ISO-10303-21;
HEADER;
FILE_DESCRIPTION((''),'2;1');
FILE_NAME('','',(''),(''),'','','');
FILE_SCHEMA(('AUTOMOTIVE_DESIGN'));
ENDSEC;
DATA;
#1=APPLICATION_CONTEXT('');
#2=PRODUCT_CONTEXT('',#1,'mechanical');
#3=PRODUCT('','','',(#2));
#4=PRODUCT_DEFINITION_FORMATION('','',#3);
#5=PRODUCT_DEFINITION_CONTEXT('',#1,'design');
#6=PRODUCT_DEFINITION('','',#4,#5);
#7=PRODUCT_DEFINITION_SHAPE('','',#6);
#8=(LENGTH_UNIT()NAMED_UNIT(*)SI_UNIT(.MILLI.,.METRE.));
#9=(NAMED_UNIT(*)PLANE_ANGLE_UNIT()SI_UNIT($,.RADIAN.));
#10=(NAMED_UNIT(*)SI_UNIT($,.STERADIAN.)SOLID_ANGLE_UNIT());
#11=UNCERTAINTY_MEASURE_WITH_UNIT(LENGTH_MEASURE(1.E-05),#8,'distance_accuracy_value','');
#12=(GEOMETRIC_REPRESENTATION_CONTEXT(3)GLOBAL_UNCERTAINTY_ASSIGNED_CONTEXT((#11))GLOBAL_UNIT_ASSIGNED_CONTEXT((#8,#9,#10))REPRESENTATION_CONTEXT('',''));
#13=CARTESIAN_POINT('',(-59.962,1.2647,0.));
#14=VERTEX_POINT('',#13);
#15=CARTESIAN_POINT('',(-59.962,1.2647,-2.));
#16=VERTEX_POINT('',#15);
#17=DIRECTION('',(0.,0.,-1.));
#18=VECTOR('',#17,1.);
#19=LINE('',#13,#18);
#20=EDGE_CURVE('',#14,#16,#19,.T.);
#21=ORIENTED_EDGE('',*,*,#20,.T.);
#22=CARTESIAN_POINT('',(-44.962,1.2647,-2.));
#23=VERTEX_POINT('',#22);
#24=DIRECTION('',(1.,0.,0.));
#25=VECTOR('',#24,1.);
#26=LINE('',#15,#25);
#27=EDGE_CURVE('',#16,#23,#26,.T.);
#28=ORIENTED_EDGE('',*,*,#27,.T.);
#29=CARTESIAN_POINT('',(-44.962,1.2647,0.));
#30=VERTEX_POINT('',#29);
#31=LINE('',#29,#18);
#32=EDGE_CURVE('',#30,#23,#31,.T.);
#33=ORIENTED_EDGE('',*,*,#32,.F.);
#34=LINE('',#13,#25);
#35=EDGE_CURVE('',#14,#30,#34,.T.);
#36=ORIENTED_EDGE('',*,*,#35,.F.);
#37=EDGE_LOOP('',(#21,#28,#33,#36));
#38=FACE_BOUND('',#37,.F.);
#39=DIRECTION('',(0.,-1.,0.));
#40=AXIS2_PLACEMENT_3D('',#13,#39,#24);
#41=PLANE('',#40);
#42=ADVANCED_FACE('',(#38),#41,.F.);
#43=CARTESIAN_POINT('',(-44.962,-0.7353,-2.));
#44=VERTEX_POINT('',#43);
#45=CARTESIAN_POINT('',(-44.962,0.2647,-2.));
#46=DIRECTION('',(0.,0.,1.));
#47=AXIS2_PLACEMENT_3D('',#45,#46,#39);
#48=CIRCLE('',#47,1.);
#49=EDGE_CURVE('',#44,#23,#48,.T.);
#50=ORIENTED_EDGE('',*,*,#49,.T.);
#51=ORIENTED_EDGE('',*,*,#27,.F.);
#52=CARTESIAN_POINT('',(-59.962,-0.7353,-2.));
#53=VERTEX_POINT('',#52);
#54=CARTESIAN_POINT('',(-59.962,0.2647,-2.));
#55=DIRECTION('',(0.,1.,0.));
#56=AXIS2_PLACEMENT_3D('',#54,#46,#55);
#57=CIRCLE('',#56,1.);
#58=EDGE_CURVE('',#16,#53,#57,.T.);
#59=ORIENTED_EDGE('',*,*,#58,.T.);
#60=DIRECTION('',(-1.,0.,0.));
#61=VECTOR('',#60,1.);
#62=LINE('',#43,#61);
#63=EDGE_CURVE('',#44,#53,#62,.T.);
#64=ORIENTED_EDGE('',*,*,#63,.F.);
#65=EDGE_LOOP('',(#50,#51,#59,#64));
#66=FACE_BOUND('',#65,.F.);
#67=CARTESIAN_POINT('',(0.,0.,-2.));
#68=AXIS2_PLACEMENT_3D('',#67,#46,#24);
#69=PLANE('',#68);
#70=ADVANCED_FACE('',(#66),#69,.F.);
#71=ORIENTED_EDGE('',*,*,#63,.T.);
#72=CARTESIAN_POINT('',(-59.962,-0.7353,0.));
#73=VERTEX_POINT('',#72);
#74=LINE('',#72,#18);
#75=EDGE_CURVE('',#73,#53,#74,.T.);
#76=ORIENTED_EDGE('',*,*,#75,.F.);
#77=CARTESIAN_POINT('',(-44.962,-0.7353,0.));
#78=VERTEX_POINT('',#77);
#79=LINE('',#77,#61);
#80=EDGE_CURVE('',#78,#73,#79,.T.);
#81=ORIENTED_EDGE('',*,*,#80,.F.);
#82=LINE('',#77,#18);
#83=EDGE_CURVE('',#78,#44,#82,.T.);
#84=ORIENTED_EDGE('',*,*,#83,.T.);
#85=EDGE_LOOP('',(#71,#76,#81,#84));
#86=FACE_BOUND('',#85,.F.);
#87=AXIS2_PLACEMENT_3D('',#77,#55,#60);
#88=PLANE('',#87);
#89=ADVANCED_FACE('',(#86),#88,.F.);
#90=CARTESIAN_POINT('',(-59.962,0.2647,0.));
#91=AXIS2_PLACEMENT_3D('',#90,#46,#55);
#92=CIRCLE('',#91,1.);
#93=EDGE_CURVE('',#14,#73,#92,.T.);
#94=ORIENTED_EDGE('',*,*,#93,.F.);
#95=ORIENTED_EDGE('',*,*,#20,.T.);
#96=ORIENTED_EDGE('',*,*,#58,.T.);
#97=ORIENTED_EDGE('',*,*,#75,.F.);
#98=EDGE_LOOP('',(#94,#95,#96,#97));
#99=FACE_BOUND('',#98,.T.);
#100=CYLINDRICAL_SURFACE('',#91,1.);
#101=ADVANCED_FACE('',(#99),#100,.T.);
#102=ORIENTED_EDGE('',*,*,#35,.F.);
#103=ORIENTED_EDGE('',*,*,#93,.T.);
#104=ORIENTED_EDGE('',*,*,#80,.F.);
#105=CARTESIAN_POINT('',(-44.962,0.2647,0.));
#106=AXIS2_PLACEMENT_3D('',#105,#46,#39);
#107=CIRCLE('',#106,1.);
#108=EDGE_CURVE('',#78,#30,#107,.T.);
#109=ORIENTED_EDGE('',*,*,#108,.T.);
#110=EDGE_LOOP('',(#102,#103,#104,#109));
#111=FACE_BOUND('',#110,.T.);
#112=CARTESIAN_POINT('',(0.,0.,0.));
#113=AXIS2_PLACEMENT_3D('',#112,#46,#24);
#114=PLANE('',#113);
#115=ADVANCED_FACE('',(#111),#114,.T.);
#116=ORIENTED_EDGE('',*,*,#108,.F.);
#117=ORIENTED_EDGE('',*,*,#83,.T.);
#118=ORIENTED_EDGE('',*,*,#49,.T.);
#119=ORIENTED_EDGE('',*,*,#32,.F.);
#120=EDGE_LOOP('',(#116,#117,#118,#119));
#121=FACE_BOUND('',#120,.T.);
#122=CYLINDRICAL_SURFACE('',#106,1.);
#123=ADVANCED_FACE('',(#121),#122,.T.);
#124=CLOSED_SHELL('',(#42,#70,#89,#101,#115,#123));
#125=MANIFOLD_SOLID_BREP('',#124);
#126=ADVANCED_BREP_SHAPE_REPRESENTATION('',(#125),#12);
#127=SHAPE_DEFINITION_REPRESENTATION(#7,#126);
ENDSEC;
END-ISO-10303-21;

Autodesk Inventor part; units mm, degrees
ref_plane "YZ Plane" through (0, 0, 0) normal (1, 0, 0) x (0, 1, 0)
ref_plane "XZ Plane" through (0, 0, 0) normal (0, 1, 0) x (-1, 0, 0)
ref_plane "XY Plane" through (0, 0, 0) normal (0, 0, 1) x (1, 0, 0)
sketch "Náčrt4" plane through (0, 0, 0) normal (0, 0, 1) x (1, 0, 0)
  line L0 (-23.962, 1.2647) -> (-8.962, 1.2647) construction
  line L1 (-8.962, -0.7353) -> (-23.962, -0.7353) construction
  line L2 (-41.962, 1.2647) -> (-26.962, 1.2647) construction
  line L3 (-26.962, -0.7353) -> (-41.962, -0.7353) construction
  line L4 (-59.962, 1.2647) -> (-44.962, 1.2647) construction
  line L5 (-44.962, -0.7353) -> (-59.962, -0.7353) construction
  line L6 (-59.962, 14.7647) -> (-0.822, 14.7647) construction
  arc A0 (-59.962, 14.7647) -> (-69.262, 5.4647) centre (-59.962, 5.4647) ccw construction
  line L7 (-69.262, -84.5353) -> (-69.262, 5.4647) construction
  arc A1 (-69.262, -84.5353) -> (-59.962, -93.8353) centre (-59.962, -84.5353) ccw construction
  line L8 (2.038, -93.8353) -> (-59.962, -93.8353) construction
  line L9 (2.038, -93.8353) -> (2.038, 0.4647) construction
  line L10 (2.038, 0.4647) -> (-0.822, 14.7647) construction
  line L11 (-60.962, -18.7353) -> (-60.962, -4.7353) construction
  line L12 (-59.462, -3.2353) -> (-45.462, -3.2353) construction
  line L13 (-43.962, -4.7353) -> (-43.962, -18.7353) construction
  line L14 (-45.462, -20.2353) -> (-59.462, -20.2353) construction
  circle A2 centre (-34.452, 10.9647) radius 0.3 construction
  circle A3 centre (-30.952, 7.4647) radius 0.3 construction
  circle A4 centre (-34.452, 3.9647) radius 0.3 construction
  circle A5 centre (-37.952, 7.4647) radius 0.3 construction
  circle A6 centre (-34.452, 7.4647) radius 0.3 construction
  circle A7 centre (-36.9269, 9.9395) radius 0.3 construction
  circle A8 centre (-36.9269, 4.9898) radius 0.3 construction
  circle A9 centre (-31.9771, 4.9898) radius 0.3 construction
  circle A10 centre (-31.9771, 9.9395) radius 0.3 construction
  line L15 (-59.962, 1.2647) -> (-44.962, 1.2647)
  line L16 (-44.962, -0.7353) -> (-59.962, -0.7353)
  line L17 (-29.7605, -84.0301) -> (-30.334, -84.8493) projected
  arc A11 (-30.334, -84.8493) -> (-38.5901, -84.8493) centre (-34.462, -90.7447) ccw projected
  line L18 (-38.5901, -84.8493) -> (-39.1636, -84.0301) projected
  arc A12 (-29.7605, -84.0301) -> (-39.1636, -84.0301) centre (-34.462, -90.7447) ccw projected
  circle A13 centre (-34.462, -90.7447) radius 0.9 projected
  line L19 (-31.9385, -86.548) -> (-32.512, -87.3672) projected
  arc A14 (-32.512, -87.3672) -> (-36.412, -87.3672) centre (-34.462, -90.7447) ccw projected
  line L20 (-36.412, -87.3672) -> (-36.9856, -86.548) projected
  arc A15 (-31.9385, -86.548) -> (-36.9856, -86.548) centre (-34.462, -90.7447) ccw projected
  arc A16 (-27.8677, -81.3269) -> (-41.0564, -81.3269) centre (-34.462, -90.7447) ccw projected
  line L21 (-27.8677, -81.3269) -> (-28.4412, -82.1461) projected
  arc A17 (-28.4412, -82.1461) -> (-40.4829, -82.1461) centre (-34.462, -90.7447) ccw projected
  line L22 (-40.4829, -82.1461) -> (-41.0564, -81.3269) projected
  line L23 (-24.962, -72.7353) -> (-24.962, -58.7353) projected
  arc A18 (-23.462, -57.2353) -> (-24.962, -58.7353) centre (-23.462, -58.7353) ccw projected
  line L24 (-23.462, -57.2353) -> (-9.462, -57.2353) projected
  arc A19 (-7.962, -58.7353) -> (-9.462, -57.2353) centre (-9.462, -58.7353) ccw projected
  line L25 (-7.962, -58.7353) -> (-7.962, -72.7353) projected
  arc A20 (-9.462, -74.2353) -> (-7.962, -72.7353) centre (-9.462, -72.7353) ccw projected
  line L26 (-9.462, -74.2353) -> (-23.462, -74.2353) projected
  arc A21 (-24.962, -72.7353) -> (-23.462, -74.2353) centre (-23.462, -72.7353) ccw projected
  line L27 (-42.962, -72.7353) -> (-42.962, -58.7353) projected
  arc A22 (-41.462, -57.2353) -> (-42.962, -58.7353) centre (-41.462, -58.7353) ccw projected
  line L28 (-41.462, -57.2353) -> (-27.462, -57.2353) projected
  arc A23 (-25.962, -58.7353) -> (-27.462, -57.2353) centre (-27.462, -58.7353) ccw projected
  line L29 (-25.962, -58.7353) -> (-25.962, -72.7353) projected
  arc A24 (-27.462, -74.2353) -> (-25.962, -72.7353) centre (-27.462, -72.7353) ccw projected
  line L30 (-27.462, -74.2353) -> (-41.462, -74.2353) projected
  arc A25 (-42.962, -72.7353) -> (-41.462, -74.2353) centre (-41.462, -72.7353) ccw projected
  line L31 (-60.962, -72.7353) -> (-60.962, -58.7353) projected
  arc A26 (-59.462, -57.2353) -> (-60.962, -58.7353) centre (-59.462, -58.7353) ccw projected
  line L32 (-59.462, -57.2353) -> (-45.462, -57.2353) projected
  arc A27 (-43.962, -58.7353) -> (-45.462, -57.2353) centre (-45.462, -58.7353) ccw projected
  line L33 (-43.962, -58.7353) -> (-43.962, -72.7353) projected
  arc A28 (-45.462, -74.2353) -> (-43.962, -72.7353) centre (-45.462, -72.7353) ccw projected
  line L34 (-45.462, -74.2353) -> (-59.462, -74.2353) projected
  arc A29 (-60.962, -72.7353) -> (-59.462, -74.2353) centre (-59.462, -72.7353) ccw projected
  line L35 (-24.962, -54.7353) -> (-24.962, -40.7353) projected
  arc A30 (-23.462, -39.2353) -> (-24.962, -40.7353) centre (-23.462, -40.7353) ccw projected
  line L36 (-23.462, -39.2353) -> (-9.462, -39.2353) projected
  arc A31 (-7.962, -40.7353) -> (-9.462, -39.2353) centre (-9.462, -40.7353) ccw projected
  line L37 (-7.962, -40.7353) -> (-7.962, -54.7353) projected
  arc A32 (-9.462, -56.2353) -> (-7.962, -54.7353) centre (-9.462, -54.7353) ccw projected
  line L38 (-9.462, -56.2353) -> (-23.462, -56.2353) projected
  arc A33 (-24.962, -54.7353) -> (-23.462, -56.2353) centre (-23.462, -54.7353) ccw projected
  line L39 (-42.962, -54.7353) -> (-42.962, -40.7353) projected
  arc A34 (-41.462, -39.2353) -> (-42.962, -40.7353) centre (-41.462, -40.7353) ccw projected
  line L40 (-41.462, -39.2353) -> (-27.462, -39.2353) projected
  arc A35 (-25.962, -40.7353) -> (-27.462, -39.2353) centre (-27.462, -40.7353) ccw projected
  line L41 (-25.962, -40.7353) -> (-25.962, -54.7353) projected
  arc A36 (-27.462, -56.2353) -> (-25.962, -54.7353) centre (-27.462, -54.7353) ccw projected
  line L42 (-27.462, -56.2353) -> (-41.462, -56.2353) projected
  arc A37 (-42.962, -54.7353) -> (-41.462, -56.2353) centre (-41.462, -54.7353) ccw projected
  line L43 (-60.962, -54.7353) -> (-60.962, -40.7353) projected
  arc A38 (-59.462, -39.2353) -> (-60.962, -40.7353) centre (-59.462, -40.7353) ccw projected
  line L44 (-59.462, -39.2353) -> (-45.462, -39.2353) projected
  arc A39 (-43.962, -40.7353) -> (-45.462, -39.2353) centre (-45.462, -40.7353) ccw projected
  line L45 (-43.962, -40.7353) -> (-43.962, -54.7353) projected
  arc A40 (-45.462, -56.2353) -> (-43.962, -54.7353) centre (-45.462, -54.7353) ccw projected
  line L46 (-45.462, -56.2353) -> (-59.462, -56.2353) projected
  arc A41 (-60.962, -54.7353) -> (-59.462, -56.2353) centre (-59.462, -54.7353) ccw projected
  line L47 (-24.962, -36.7353) -> (-24.962, -22.7353) projected
  arc A42 (-23.462, -21.2353) -> (-24.962, -22.7353) centre (-23.462, -22.7353) ccw projected
  line L48 (-23.462, -21.2353) -> (-9.462, -21.2353) projected
  arc A43 (-7.962, -22.7353) -> (-9.462, -21.2353) centre (-9.462, -22.7353) ccw projected
  line L49 (-7.962, -22.7353) -> (-7.962, -36.7353) projected
  arc A44 (-9.462, -38.2353) -> (-7.962, -36.7353) centre (-9.462, -36.7353) ccw projected
  line L50 (-9.462, -38.2353) -> (-23.462, -38.2353) projected
  arc A45 (-24.962, -36.7353) -> (-23.462, -38.2353) centre (-23.462, -36.7353) ccw projected
  line L51 (-42.962, -36.7353) -> (-42.962, -22.7353) projected
  arc A46 (-41.462, -21.2353) -> (-42.962, -22.7353) centre (-41.462, -22.7353) ccw projected
  line L52 (-41.462, -21.2353) -> (-27.462, -21.2353) projected
  arc A47 (-25.962, -22.7353) -> (-27.462, -21.2353) centre (-27.462, -22.7353) ccw projected
  line L53 (-25.962, -22.7353) -> (-25.962, -36.7353) projected
  arc A48 (-27.462, -38.2353) -> (-25.962, -36.7353) centre (-27.462, -36.7353) ccw projected
  line L54 (-27.462, -38.2353) -> (-41.462, -38.2353) projected
  arc A49 (-42.962, -36.7353) -> (-41.462, -38.2353) centre (-41.462, -36.7353) ccw projected
  line L55 (-60.962, -36.7353) -> (-60.962, -22.7353) projected
  arc A50 (-59.462, -21.2353) -> (-60.962, -22.7353) centre (-59.462, -22.7353) ccw projected
  line L56 (-59.462, -21.2353) -> (-45.462, -21.2353) projected
  arc A51 (-43.962, -22.7353) -> (-45.462, -21.2353) centre (-45.462, -22.7353) ccw projected
  line L57 (-43.962, -22.7353) -> (-43.962, -36.7353) projected
  arc A52 (-45.462, -38.2353) -> (-43.962, -36.7353) centre (-45.462, -36.7353) ccw projected
  line L58 (-45.462, -38.2353) -> (-59.462, -38.2353) projected
  arc A53 (-60.962, -36.7353) -> (-59.462, -38.2353) centre (-59.462, -36.7353) ccw projected
  line L59 (-24.962, -18.7353) -> (-24.962, -4.7353) projected
  arc A54 (-23.462, -3.2353) -> (-24.962, -4.7353) centre (-23.462, -4.7353) ccw projected
  line L60 (-23.462, -3.2353) -> (-9.462, -3.2353) projected
  arc A55 (-7.962, -4.7353) -> (-9.462, -3.2353) centre (-9.462, -4.7353) ccw projected
  line L61 (-7.962, -4.7353) -> (-7.962, -18.7353) projected
  arc A56 (-9.462, -20.2353) -> (-7.962, -18.7353) centre (-9.462, -18.7353) ccw projected
  line L62 (-9.462, -20.2353) -> (-23.462, -20.2353) projected
  arc A57 (-24.962, -18.7353) -> (-23.462, -20.2353) centre (-23.462, -18.7353) ccw projected
  line L63 (-42.962, -18.7353) -> (-42.962, -4.7353) projected
  arc A58 (-41.462, -3.2353) -> (-42.962, -4.7353) centre (-41.462, -4.7353) ccw projected
  line L64 (-41.462, -3.2353) -> (-27.462, -3.2353) projected
  arc A59 (-25.962, -4.7353) -> (-27.462, -3.2353) centre (-27.462, -4.7353) ccw projected
  line L65 (-25.962, -4.7353) -> (-25.962, -18.7353) projected
  arc A60 (-27.462, -20.2353) -> (-25.962, -18.7353) centre (-27.462, -18.7353) ccw projected
  line L66 (-27.462, -20.2353) -> (-41.462, -20.2353) projected
  arc A61 (-42.962, -18.7353) -> (-41.462, -20.2353) centre (-41.462, -18.7353) ccw projected
  arc A62 (-23.962, 1.2647) -> (-23.962, -0.7353) centre (-23.962, 0.2647) ccw projected
  arc A63 (-8.962, -0.7353) -> (-8.962, 1.2647) centre (-8.962, 0.2647) ccw projected
  arc A64 (-41.962, 1.2647) -> (-41.962, -0.7353) centre (-41.962, 0.2647) ccw projected
  arc A65 (-26.962, -0.7353) -> (-26.962, 1.2647) centre (-26.962, 0.2647) ccw projected
  arc A66 (-59.962, 1.2647) -> (-59.962, -0.7353) centre (-59.962, 0.2647) ccw projected
  arc A67 (-44.962, -0.7353) -> (-44.962, 1.2647) centre (-44.962, 0.2647) ccw projected
  arc A68 (-59.462, -3.2353) -> (-60.962, -4.7353) centre (-59.462, -4.7353) ccw projected
  arc A69 (-43.962, -4.7353) -> (-45.462, -3.2353) centre (-45.462, -4.7353) ccw projected
  arc A70 (-45.462, -20.2353) -> (-43.962, -18.7353) centre (-45.462, -18.7353) ccw projected
  arc A71 (-60.962, -18.7353) -> (-59.462, -20.2353) centre (-59.462, -18.7353) ccw projected
  point P0 (0, 0)
  point P1 (-43.962, 0.2647)
extrude "Vysunutí1" add sketch "Náčrt4" against normal blind 2 contours L15 A67 L16 A66
properties part number "LED green" material "ABS plast"
